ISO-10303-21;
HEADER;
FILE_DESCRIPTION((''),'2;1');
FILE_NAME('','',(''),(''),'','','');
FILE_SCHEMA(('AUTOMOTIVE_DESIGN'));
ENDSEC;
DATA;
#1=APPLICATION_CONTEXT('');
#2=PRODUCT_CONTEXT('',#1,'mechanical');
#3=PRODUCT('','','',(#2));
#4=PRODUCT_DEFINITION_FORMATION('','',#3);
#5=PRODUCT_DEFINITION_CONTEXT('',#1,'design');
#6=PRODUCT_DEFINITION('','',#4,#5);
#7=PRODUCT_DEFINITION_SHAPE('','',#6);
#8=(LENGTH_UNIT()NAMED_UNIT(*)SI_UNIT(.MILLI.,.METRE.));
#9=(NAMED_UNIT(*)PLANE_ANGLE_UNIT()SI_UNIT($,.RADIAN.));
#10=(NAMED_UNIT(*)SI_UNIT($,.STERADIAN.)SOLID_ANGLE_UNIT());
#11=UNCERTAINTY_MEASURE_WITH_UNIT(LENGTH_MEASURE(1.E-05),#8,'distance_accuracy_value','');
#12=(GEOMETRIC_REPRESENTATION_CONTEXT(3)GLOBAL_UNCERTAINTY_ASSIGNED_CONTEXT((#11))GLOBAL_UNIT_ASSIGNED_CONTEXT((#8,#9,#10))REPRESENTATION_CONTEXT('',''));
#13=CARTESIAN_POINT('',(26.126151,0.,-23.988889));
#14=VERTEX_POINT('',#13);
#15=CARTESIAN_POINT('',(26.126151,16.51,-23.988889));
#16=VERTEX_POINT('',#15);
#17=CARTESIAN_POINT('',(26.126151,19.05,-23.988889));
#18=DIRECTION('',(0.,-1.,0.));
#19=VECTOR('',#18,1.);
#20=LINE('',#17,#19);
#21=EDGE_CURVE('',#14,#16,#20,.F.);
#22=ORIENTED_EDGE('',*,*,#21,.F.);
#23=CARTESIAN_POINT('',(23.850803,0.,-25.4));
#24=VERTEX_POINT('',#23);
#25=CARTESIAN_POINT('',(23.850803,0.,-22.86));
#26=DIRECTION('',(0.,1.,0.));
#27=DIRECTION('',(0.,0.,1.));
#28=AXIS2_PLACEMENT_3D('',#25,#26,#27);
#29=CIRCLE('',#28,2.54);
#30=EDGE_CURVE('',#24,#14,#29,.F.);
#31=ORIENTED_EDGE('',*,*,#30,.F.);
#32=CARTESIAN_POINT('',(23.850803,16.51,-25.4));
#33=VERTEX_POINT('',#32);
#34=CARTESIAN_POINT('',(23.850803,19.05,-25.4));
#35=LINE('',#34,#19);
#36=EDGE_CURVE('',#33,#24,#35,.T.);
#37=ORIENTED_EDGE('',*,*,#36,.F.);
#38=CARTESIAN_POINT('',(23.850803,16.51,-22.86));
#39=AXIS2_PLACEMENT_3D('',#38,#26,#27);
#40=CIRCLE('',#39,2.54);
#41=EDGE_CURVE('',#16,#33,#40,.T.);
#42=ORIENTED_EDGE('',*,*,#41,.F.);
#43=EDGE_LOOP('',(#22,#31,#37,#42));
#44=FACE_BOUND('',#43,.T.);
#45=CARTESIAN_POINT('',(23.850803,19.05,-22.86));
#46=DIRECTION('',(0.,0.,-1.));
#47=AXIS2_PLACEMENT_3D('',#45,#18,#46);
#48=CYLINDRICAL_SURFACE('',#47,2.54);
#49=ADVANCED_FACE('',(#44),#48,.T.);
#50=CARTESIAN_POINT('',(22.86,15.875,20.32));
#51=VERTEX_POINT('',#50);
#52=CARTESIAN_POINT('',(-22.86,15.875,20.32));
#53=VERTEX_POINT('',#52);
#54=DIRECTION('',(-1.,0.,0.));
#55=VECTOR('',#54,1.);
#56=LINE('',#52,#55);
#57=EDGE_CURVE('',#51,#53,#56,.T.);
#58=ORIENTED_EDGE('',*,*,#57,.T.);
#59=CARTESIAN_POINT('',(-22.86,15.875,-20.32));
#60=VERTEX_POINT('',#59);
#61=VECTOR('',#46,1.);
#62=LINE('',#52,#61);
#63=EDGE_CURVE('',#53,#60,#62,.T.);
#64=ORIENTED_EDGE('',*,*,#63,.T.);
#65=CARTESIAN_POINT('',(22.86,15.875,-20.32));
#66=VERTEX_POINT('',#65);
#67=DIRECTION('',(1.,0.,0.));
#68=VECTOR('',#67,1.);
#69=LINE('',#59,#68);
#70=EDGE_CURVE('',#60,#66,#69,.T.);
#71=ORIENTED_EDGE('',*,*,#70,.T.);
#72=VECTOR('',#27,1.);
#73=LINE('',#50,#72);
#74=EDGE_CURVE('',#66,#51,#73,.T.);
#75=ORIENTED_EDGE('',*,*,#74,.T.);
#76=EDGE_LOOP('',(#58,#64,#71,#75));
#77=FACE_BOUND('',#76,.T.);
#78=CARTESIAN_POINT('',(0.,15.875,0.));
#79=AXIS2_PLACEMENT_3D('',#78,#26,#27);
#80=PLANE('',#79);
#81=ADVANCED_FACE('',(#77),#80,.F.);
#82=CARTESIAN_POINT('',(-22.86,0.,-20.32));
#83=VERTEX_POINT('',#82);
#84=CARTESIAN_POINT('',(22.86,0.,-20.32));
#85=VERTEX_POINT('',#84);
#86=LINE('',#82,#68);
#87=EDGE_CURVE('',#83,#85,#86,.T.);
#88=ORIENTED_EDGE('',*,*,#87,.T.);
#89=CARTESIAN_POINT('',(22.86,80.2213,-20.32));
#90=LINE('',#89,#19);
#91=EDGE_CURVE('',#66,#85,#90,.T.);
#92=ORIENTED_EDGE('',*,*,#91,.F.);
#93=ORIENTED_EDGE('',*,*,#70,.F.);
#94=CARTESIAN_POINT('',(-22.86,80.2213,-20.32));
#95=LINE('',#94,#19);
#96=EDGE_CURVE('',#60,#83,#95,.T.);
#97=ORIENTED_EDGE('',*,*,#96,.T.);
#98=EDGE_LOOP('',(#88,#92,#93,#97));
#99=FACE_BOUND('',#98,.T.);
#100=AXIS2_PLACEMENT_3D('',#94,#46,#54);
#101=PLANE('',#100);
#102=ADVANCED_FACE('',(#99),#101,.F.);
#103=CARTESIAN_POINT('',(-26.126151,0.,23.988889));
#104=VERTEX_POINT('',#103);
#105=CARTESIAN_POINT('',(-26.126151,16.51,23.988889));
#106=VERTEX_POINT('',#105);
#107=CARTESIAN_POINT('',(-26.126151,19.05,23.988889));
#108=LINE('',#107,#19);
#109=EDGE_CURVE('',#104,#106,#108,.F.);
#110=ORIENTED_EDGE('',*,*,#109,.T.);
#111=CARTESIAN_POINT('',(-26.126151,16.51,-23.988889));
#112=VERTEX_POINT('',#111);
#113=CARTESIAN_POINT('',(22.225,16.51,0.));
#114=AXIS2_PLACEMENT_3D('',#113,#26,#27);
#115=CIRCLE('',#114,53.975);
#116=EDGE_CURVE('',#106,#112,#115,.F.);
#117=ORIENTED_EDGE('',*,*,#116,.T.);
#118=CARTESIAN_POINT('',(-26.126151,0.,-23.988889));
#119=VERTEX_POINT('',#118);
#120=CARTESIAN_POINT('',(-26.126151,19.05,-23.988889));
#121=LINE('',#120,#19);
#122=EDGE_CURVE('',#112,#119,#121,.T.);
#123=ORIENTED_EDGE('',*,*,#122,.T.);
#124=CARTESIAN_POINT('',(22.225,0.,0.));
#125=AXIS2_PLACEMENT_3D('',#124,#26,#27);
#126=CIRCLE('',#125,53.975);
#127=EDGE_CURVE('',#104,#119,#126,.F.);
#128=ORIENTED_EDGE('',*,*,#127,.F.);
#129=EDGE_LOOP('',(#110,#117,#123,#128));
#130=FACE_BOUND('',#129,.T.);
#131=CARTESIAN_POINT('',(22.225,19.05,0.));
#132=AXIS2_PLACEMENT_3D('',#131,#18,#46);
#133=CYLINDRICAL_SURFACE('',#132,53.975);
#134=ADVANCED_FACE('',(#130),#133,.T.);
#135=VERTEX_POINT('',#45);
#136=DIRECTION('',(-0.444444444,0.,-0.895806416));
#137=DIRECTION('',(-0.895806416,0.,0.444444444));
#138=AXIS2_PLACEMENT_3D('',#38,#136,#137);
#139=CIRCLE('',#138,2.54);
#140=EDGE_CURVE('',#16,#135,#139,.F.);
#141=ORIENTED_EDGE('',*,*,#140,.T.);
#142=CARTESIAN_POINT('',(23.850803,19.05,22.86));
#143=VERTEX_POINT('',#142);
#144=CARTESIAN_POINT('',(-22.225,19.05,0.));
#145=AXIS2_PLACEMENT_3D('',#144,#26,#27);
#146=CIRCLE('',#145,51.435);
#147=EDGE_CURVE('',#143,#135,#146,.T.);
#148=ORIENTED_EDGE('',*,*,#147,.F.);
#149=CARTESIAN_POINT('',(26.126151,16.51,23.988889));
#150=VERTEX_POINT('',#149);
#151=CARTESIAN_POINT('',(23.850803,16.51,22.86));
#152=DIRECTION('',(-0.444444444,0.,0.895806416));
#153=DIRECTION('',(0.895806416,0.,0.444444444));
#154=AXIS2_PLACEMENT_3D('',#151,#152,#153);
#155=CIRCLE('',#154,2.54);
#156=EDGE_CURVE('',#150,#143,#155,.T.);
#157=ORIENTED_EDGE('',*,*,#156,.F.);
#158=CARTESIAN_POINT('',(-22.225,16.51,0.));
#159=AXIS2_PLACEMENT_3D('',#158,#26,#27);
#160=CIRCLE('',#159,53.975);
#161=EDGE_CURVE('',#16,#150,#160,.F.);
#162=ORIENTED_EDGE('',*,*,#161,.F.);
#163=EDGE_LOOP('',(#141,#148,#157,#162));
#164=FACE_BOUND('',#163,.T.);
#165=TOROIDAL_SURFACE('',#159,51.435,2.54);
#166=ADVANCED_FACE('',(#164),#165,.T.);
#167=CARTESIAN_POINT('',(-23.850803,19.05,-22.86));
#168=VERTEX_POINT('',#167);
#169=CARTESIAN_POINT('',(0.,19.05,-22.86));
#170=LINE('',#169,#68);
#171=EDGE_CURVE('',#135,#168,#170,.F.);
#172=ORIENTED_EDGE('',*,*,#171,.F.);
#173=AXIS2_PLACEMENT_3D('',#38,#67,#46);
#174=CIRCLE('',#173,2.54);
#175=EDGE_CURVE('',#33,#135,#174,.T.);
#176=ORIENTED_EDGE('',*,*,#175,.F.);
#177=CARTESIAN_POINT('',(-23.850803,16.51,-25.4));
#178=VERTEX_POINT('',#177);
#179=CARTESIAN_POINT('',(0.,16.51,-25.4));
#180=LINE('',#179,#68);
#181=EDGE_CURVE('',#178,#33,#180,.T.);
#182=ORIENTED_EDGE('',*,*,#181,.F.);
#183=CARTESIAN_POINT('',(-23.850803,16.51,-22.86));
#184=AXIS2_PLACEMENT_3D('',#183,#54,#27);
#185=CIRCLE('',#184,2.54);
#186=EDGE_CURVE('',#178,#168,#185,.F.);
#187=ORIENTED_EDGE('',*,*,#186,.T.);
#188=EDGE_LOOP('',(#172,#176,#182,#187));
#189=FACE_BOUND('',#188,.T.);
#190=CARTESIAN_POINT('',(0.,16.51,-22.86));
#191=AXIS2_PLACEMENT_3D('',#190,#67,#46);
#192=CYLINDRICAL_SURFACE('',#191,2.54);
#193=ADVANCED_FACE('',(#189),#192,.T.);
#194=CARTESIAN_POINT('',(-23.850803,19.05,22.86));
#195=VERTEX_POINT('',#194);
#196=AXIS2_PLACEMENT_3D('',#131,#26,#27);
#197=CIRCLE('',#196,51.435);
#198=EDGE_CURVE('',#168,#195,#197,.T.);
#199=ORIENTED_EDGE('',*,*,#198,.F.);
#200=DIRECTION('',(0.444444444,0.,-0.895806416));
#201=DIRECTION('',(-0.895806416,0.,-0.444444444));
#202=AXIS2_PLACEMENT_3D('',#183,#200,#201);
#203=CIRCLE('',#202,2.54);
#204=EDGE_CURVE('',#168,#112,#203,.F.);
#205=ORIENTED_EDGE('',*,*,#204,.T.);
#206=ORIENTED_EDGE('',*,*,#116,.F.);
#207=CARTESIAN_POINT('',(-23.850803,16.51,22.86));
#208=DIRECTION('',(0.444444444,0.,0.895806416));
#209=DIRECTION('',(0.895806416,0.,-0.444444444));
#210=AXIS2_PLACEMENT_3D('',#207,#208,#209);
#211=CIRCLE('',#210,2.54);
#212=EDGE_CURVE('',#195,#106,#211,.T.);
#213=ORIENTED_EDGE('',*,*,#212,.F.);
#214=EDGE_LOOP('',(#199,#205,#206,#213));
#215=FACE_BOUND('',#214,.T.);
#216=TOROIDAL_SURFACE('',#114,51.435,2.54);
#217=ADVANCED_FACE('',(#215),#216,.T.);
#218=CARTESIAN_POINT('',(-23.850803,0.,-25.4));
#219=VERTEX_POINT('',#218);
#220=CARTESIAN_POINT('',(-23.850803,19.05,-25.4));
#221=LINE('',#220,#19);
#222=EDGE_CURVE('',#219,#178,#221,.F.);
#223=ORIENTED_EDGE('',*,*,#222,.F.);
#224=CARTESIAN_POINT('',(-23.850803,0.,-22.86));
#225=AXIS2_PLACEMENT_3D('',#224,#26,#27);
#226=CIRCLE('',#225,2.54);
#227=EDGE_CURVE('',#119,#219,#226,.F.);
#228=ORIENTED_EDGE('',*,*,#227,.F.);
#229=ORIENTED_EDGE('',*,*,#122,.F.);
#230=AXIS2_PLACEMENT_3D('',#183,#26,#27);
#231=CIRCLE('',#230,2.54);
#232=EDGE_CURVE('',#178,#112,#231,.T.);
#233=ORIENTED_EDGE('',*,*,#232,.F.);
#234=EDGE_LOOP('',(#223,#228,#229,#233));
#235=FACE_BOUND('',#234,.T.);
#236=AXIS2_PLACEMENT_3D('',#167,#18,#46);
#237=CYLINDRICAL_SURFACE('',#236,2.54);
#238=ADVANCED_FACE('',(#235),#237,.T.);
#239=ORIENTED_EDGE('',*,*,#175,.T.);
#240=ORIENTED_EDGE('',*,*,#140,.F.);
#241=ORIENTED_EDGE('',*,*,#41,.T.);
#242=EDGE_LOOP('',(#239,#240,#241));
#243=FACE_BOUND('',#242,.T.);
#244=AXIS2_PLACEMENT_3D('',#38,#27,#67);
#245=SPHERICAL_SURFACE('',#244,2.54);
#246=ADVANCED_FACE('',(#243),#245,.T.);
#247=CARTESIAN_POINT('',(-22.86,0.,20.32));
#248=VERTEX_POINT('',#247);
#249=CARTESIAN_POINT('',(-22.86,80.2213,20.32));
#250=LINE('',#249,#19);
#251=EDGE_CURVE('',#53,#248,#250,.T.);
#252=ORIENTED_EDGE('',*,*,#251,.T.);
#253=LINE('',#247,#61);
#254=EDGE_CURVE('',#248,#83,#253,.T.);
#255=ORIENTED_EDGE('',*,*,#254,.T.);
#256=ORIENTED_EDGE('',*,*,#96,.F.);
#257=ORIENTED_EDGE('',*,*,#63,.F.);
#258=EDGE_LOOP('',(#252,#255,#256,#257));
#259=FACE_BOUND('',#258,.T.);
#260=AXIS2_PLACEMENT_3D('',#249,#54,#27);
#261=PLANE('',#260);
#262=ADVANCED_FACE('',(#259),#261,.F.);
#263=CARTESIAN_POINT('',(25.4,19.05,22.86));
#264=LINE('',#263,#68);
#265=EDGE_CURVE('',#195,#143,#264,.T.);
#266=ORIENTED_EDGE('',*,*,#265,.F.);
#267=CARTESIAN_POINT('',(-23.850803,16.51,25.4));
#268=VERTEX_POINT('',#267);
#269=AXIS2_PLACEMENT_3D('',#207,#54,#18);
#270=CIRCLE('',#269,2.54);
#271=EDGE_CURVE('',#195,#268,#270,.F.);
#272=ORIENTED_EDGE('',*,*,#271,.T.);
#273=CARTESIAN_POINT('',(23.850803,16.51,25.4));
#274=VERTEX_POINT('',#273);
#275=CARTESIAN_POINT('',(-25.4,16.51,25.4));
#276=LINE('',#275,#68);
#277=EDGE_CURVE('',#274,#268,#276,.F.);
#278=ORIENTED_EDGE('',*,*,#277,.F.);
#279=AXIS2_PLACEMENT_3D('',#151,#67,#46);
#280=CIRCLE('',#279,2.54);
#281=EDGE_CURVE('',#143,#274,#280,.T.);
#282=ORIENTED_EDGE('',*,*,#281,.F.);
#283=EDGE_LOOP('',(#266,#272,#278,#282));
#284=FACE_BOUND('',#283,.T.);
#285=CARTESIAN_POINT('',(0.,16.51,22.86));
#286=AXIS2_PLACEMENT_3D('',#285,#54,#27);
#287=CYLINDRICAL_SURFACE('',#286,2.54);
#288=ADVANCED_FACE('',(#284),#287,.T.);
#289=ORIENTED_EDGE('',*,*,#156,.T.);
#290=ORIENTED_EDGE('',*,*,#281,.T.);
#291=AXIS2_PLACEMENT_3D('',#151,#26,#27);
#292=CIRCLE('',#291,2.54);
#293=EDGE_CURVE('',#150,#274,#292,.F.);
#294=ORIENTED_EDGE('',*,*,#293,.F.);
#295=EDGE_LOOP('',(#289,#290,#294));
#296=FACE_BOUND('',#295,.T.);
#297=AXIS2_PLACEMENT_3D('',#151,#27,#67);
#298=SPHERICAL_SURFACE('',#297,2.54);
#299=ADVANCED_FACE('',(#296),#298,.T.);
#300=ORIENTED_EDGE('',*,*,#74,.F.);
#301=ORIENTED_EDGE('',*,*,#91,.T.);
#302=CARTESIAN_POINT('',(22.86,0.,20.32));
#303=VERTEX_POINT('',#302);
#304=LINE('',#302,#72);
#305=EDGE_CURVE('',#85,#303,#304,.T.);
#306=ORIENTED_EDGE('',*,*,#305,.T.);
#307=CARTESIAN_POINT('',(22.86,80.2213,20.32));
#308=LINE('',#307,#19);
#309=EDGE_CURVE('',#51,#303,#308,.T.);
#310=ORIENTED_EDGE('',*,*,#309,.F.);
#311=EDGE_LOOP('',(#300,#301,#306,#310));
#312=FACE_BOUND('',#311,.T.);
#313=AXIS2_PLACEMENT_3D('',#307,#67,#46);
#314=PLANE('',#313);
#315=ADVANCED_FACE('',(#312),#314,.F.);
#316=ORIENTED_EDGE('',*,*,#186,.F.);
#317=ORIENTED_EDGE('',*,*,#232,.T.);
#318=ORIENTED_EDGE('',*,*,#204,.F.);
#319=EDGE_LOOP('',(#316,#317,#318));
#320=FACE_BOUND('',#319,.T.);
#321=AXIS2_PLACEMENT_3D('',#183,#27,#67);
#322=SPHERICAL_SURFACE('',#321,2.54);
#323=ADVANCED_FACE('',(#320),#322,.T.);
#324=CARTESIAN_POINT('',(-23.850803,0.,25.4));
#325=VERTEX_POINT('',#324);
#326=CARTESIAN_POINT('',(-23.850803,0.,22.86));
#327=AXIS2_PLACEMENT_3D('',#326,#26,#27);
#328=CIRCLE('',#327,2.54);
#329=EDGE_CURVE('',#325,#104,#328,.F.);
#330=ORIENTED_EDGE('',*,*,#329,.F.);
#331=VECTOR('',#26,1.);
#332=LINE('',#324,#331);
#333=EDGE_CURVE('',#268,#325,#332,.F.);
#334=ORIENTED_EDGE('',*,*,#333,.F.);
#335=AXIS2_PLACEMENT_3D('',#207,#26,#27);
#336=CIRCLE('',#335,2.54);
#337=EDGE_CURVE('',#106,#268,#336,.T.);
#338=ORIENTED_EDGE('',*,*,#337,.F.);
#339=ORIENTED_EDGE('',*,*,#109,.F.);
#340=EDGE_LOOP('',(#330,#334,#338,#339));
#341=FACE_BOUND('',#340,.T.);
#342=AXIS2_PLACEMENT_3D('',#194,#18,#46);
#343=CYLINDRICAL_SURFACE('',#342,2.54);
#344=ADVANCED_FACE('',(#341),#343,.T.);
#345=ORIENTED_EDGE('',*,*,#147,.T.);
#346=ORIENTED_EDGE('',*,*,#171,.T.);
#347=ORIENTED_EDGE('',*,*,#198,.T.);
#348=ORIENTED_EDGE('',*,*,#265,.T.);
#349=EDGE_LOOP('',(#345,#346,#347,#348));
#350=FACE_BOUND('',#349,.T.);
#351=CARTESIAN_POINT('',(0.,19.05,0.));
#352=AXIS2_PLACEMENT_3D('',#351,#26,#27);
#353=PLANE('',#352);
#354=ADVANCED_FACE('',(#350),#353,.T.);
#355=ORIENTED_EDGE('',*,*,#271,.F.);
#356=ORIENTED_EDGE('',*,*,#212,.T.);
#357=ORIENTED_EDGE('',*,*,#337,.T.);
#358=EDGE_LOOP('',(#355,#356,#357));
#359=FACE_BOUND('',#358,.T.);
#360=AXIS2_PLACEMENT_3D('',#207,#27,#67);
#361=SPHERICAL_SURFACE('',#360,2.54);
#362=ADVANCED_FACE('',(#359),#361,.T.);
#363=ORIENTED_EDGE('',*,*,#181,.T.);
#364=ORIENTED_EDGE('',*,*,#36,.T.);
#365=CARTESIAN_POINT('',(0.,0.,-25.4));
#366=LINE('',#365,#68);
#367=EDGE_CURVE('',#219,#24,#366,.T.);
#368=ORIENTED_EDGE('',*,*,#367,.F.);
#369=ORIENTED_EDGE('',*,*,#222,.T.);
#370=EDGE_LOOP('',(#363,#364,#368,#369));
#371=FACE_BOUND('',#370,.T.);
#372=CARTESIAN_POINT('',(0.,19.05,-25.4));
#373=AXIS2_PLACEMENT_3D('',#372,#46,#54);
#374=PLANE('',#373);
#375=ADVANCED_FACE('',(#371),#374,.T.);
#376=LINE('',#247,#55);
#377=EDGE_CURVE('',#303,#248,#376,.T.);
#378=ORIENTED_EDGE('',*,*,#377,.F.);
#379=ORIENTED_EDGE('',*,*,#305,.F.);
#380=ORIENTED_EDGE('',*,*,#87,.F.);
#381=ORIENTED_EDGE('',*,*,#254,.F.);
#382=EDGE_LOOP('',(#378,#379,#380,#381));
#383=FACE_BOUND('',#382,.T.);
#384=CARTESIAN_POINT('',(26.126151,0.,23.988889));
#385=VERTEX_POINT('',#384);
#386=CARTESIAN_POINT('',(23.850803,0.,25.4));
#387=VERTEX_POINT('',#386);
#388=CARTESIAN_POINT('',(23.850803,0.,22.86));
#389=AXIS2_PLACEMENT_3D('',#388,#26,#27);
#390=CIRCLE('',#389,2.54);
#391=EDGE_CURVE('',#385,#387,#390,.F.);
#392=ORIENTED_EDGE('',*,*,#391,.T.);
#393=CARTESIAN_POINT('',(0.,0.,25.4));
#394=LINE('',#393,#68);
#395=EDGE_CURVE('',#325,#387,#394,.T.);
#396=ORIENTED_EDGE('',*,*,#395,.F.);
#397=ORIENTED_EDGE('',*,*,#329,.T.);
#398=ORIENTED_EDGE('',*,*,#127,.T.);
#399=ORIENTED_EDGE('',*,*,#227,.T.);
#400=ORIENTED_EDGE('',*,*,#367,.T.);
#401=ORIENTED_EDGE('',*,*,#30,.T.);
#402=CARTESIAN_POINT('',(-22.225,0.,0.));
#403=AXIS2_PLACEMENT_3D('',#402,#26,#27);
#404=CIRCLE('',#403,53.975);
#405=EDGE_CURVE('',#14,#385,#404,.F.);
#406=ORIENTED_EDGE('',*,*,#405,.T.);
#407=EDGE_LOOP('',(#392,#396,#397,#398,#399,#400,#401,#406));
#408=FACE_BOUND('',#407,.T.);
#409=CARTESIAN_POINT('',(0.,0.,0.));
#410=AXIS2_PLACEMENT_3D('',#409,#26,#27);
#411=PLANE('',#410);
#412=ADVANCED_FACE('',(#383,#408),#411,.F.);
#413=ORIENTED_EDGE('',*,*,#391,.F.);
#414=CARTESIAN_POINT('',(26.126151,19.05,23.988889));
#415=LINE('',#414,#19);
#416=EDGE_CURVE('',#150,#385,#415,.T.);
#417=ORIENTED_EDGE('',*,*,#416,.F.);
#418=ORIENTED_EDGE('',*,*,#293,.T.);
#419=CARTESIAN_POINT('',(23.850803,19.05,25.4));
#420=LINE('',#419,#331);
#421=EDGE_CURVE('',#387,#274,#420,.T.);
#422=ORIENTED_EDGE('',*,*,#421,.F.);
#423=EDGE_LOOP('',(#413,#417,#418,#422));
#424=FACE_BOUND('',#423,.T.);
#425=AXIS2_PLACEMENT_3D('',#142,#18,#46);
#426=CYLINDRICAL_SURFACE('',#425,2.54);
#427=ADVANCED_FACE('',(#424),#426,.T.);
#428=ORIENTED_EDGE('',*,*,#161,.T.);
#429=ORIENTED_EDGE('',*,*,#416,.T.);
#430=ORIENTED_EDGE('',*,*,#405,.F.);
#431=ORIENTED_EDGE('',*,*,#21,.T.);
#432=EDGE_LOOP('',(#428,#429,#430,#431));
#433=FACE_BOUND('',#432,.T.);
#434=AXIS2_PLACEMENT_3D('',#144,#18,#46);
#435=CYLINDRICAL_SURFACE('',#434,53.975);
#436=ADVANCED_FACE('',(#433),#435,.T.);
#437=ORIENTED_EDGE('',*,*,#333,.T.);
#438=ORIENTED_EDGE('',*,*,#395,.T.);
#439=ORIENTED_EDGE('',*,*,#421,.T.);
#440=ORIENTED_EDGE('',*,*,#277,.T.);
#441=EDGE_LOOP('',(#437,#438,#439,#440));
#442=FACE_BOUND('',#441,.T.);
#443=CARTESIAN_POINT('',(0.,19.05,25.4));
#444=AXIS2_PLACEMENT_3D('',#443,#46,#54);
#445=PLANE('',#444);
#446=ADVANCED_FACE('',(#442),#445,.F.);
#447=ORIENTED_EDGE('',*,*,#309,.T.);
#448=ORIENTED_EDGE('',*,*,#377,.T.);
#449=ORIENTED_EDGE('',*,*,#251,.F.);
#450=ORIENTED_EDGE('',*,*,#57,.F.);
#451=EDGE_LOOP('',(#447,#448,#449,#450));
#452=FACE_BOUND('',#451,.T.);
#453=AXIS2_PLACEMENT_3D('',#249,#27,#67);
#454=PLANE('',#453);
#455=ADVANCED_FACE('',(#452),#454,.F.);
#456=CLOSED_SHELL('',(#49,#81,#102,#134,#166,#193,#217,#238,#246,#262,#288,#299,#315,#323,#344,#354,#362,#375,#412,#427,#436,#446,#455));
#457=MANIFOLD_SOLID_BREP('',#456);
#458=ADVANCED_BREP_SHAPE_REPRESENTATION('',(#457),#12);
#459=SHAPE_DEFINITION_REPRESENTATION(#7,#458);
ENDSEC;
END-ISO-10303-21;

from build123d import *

# Parameters (mm, degrees)
SKETCH1_W           = 50.8
SKETCH1_H           = 50.8
BOSS_EXTRUDE1_DEPTH = 19.05
SKETCH2_W           = 45.72
SKETCH2_H           = 40.64
CUT_EXTRUDE1_DEPTH  = 15.875
FILLET1_R           = 2.54


with BuildPart() as part:
    # Sketch1 → Boss-Extrude1 (new body)
    with BuildSketch(Plane(origin=(0, 0, 0), x_dir=(1, 0, 0), z_dir=(0, 1, 0))):
        with BuildLine():
            ThreePointArc((-25.4, -25.4), (-31.75, 0), (-25.4, 25.4))
            Line((-25.4, 25.4), (-25.4, -25.4))
        make_face()
        with BuildLine():
            ThreePointArc((25.4, 25.4), (31.75, 0), (25.4, -25.4))
            Line((25.4, -25.4), (25.4, 25.4))
        make_face()
        Rectangle(SKETCH1_W, SKETCH1_H)
    extrude(amount=BOSS_EXTRUDE1_DEPTH)

    # Sketch2 → Cut-Extrude1 (cut)
    with BuildSketch(Plane.XZ):
        Rectangle(SKETCH2_W, SKETCH2_H)
    extrude(amount=-CUT_EXTRUDE1_DEPTH, mode=Mode.SUBTRACT)

    # Fillet1
    fillet1_edges = [part.edges().sort_by_distance(p)[0] for p in [
        (31.75, 19.05, 0),
        (0, 19.05, -25.4),
        (-31.75, 19.05, 0),
        (0, 19.05, 25.4),
        (-25.4, 9.525, -25.4),
        (25.4, 9.525, -25.4),
        (25.4, 9.525, 25.4),
        (-25.4, 9.525, 25.4),
    ]]
    fillet(fillet1_edges, radius=FILLET1_R)


solid = part.part
